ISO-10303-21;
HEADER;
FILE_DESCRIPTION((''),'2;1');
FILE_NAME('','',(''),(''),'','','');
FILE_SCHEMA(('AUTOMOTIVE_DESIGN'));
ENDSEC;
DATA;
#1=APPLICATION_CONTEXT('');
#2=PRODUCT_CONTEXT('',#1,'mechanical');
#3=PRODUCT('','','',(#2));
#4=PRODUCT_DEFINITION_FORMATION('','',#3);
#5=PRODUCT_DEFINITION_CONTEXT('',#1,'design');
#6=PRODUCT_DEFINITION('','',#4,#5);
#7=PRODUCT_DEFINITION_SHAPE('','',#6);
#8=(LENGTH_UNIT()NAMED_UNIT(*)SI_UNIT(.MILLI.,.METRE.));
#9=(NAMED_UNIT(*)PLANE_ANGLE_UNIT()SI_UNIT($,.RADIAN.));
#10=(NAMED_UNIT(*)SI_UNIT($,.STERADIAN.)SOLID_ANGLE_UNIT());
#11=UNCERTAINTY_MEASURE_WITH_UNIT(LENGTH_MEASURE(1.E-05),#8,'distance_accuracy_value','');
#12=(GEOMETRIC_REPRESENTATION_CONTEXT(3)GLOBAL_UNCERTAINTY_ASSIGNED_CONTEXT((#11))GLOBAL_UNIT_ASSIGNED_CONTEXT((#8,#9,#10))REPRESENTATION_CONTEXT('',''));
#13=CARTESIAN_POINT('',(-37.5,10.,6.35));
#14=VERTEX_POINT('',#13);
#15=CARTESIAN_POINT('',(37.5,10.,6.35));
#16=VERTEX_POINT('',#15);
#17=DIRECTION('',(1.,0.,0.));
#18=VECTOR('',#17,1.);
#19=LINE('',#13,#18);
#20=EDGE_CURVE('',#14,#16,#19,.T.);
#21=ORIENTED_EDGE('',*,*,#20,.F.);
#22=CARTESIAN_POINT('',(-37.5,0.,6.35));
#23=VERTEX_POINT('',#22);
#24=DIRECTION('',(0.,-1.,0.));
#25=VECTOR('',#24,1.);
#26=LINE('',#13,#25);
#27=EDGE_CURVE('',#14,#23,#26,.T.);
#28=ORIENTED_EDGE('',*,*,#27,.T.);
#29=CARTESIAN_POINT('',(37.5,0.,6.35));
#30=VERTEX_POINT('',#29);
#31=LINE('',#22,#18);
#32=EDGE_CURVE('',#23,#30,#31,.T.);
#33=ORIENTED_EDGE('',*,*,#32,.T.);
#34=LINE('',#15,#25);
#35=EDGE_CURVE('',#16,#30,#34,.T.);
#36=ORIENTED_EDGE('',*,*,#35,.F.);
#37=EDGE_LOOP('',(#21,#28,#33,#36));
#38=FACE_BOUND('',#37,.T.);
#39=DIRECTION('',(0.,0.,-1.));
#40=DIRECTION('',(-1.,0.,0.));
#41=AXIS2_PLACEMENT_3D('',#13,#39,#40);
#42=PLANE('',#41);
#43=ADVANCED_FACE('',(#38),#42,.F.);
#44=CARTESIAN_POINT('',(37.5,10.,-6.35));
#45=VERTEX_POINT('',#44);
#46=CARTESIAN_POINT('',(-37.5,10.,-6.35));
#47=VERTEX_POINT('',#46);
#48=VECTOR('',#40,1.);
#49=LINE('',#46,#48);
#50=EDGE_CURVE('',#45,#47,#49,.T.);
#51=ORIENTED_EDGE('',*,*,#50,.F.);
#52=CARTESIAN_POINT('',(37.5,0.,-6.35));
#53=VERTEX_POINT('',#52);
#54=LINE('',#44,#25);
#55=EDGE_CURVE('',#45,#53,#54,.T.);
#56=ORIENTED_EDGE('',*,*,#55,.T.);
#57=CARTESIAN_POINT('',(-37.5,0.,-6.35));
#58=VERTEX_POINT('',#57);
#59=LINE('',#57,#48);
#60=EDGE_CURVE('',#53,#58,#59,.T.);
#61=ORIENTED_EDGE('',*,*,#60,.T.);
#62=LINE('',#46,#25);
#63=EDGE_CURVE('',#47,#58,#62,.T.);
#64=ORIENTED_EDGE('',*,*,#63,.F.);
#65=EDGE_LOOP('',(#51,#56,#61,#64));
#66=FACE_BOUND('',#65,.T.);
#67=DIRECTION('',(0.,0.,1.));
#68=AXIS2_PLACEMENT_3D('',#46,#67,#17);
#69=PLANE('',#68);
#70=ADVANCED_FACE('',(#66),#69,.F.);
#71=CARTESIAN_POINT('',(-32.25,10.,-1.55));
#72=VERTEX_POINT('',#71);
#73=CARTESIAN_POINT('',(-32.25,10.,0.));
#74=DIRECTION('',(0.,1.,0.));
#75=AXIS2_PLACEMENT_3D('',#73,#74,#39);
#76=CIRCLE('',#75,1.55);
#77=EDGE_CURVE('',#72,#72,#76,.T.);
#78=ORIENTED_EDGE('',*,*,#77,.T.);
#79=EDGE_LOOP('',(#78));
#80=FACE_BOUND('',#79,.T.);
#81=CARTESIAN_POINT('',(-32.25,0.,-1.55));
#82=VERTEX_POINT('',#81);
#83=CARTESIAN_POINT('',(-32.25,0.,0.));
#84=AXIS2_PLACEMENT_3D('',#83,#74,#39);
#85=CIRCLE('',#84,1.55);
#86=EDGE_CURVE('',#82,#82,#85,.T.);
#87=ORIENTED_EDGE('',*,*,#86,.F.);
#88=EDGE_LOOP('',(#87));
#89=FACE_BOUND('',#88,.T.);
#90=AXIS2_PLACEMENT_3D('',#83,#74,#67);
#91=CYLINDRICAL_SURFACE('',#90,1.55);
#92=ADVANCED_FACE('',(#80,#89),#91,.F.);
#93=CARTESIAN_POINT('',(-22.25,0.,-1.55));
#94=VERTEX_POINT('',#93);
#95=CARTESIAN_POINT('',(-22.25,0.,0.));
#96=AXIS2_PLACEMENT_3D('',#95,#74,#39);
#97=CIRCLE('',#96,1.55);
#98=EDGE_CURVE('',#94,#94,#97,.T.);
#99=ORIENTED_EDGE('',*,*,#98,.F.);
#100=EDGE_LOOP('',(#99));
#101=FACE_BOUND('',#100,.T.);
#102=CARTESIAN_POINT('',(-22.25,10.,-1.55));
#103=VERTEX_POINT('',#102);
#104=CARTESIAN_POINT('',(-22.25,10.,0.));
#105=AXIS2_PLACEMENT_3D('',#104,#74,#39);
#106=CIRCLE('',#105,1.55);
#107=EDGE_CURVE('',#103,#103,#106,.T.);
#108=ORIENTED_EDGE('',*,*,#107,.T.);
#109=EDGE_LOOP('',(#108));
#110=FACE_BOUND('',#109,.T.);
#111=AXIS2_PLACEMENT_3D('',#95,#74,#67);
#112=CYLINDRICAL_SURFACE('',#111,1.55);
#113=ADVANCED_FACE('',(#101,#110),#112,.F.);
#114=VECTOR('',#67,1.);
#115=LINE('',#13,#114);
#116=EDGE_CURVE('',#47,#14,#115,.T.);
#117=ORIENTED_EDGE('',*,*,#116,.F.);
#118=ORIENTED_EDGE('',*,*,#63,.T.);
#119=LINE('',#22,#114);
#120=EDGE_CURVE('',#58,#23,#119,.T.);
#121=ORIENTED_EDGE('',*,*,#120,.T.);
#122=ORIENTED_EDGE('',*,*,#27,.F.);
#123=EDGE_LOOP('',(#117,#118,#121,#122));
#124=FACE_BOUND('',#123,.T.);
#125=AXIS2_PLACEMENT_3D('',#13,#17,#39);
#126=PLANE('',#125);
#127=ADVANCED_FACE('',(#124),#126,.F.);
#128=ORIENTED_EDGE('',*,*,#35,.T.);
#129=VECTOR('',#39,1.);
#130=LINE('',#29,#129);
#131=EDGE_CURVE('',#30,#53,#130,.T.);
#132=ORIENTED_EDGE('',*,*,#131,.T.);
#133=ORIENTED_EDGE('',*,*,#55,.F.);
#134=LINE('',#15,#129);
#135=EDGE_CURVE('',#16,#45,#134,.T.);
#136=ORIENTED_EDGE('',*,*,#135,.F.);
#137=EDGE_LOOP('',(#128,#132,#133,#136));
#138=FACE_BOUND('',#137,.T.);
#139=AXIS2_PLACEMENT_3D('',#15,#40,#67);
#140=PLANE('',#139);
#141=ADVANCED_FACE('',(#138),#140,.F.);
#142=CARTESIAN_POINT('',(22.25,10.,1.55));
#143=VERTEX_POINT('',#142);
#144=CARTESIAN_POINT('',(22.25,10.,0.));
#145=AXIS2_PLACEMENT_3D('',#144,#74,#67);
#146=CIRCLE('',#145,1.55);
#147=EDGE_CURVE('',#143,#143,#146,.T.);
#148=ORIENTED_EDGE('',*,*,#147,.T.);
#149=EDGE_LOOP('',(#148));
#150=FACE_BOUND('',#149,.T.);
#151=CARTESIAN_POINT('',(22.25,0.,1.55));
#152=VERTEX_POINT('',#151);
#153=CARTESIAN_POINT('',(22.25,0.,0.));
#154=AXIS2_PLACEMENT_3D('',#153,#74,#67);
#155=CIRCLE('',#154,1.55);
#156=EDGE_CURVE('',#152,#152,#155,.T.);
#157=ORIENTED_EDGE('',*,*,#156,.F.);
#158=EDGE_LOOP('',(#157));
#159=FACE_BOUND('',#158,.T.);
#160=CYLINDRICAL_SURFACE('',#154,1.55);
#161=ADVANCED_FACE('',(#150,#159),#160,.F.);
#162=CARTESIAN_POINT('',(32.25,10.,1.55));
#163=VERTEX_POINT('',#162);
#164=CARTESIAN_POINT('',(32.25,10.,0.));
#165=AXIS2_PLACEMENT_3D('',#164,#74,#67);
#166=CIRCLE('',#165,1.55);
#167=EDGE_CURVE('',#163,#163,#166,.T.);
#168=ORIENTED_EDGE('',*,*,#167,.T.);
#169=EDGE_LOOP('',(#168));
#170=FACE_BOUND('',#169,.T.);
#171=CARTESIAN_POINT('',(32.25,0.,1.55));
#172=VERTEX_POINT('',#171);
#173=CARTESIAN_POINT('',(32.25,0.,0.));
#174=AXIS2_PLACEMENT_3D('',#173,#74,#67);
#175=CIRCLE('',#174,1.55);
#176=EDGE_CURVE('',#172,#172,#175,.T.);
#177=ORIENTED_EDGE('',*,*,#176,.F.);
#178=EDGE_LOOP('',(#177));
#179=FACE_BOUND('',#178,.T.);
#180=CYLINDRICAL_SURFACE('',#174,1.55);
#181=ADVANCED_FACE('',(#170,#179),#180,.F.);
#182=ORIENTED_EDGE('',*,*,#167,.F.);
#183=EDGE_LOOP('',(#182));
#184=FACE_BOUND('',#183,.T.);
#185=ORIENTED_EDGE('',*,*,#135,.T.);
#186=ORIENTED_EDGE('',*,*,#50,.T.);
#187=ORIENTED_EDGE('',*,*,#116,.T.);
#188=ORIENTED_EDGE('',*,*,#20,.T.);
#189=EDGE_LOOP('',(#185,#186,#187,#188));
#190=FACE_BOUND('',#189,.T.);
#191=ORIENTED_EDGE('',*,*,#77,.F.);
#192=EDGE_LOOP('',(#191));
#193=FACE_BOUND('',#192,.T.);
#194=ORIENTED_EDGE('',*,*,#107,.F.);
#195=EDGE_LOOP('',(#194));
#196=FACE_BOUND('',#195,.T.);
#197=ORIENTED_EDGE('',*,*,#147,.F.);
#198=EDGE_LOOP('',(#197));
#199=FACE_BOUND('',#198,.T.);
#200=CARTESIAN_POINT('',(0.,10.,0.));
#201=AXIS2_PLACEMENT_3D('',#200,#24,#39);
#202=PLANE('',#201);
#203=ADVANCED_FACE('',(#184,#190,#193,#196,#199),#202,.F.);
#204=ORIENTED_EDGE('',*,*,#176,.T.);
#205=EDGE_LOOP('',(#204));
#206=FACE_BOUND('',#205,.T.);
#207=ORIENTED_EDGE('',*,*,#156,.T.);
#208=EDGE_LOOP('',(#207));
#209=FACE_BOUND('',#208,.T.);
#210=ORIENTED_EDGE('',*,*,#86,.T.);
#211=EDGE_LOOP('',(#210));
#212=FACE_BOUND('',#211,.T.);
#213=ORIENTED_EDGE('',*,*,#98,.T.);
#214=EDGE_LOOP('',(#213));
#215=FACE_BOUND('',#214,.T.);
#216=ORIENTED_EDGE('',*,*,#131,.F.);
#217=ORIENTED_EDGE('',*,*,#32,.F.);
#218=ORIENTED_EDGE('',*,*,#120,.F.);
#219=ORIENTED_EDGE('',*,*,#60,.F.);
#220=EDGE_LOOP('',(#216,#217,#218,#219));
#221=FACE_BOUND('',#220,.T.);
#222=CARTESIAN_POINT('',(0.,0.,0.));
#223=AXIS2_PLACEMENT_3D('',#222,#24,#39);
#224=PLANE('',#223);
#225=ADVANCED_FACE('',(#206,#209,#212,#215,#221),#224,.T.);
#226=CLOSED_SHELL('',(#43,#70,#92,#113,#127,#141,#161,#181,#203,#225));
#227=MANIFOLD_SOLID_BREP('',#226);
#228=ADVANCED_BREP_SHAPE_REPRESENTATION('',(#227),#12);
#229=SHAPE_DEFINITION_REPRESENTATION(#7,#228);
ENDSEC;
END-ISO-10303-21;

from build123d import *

# Parameters (mm, degrees)
SKETCH1_W           = 75
SKETCH1_H           = 12.7
BOSS_EXTRUDE1_DEPTH = 10
SKETCH2_R           = 1.55
CUT_EXTRUDE1_DEPTH  = 11


with BuildPart() as part:
    # Sketch1 → Boss-Extrude1 (new body)
    with BuildSketch(Plane(origin=(0, 0, 0), x_dir=(1, 0, 0), z_dir=(0, 1, 0))):
        Rectangle(SKETCH1_W, SKETCH1_H)
    extrude(amount=BOSS_EXTRUDE1_DEPTH)

    # Sketch2 → Cut-Extrude1 (cut, through all)
    with BuildSketch(Plane(origin=(0, 10, 0), x_dir=(1, 0, 0), z_dir=(0, 1, 0))):
        with Locations((32.25, 0)):
            Circle(SKETCH2_R)
        with Locations((22.25, 0)):
            Circle(SKETCH2_R)
        with Locations((-32.25, 0)):
            Circle(SKETCH2_R)
        with Locations((-22.25, 0)):
            Circle(SKETCH2_R)
    extrude(amount=-CUT_EXTRUDE1_DEPTH, mode=Mode.SUBTRACT)


solid = part.part
